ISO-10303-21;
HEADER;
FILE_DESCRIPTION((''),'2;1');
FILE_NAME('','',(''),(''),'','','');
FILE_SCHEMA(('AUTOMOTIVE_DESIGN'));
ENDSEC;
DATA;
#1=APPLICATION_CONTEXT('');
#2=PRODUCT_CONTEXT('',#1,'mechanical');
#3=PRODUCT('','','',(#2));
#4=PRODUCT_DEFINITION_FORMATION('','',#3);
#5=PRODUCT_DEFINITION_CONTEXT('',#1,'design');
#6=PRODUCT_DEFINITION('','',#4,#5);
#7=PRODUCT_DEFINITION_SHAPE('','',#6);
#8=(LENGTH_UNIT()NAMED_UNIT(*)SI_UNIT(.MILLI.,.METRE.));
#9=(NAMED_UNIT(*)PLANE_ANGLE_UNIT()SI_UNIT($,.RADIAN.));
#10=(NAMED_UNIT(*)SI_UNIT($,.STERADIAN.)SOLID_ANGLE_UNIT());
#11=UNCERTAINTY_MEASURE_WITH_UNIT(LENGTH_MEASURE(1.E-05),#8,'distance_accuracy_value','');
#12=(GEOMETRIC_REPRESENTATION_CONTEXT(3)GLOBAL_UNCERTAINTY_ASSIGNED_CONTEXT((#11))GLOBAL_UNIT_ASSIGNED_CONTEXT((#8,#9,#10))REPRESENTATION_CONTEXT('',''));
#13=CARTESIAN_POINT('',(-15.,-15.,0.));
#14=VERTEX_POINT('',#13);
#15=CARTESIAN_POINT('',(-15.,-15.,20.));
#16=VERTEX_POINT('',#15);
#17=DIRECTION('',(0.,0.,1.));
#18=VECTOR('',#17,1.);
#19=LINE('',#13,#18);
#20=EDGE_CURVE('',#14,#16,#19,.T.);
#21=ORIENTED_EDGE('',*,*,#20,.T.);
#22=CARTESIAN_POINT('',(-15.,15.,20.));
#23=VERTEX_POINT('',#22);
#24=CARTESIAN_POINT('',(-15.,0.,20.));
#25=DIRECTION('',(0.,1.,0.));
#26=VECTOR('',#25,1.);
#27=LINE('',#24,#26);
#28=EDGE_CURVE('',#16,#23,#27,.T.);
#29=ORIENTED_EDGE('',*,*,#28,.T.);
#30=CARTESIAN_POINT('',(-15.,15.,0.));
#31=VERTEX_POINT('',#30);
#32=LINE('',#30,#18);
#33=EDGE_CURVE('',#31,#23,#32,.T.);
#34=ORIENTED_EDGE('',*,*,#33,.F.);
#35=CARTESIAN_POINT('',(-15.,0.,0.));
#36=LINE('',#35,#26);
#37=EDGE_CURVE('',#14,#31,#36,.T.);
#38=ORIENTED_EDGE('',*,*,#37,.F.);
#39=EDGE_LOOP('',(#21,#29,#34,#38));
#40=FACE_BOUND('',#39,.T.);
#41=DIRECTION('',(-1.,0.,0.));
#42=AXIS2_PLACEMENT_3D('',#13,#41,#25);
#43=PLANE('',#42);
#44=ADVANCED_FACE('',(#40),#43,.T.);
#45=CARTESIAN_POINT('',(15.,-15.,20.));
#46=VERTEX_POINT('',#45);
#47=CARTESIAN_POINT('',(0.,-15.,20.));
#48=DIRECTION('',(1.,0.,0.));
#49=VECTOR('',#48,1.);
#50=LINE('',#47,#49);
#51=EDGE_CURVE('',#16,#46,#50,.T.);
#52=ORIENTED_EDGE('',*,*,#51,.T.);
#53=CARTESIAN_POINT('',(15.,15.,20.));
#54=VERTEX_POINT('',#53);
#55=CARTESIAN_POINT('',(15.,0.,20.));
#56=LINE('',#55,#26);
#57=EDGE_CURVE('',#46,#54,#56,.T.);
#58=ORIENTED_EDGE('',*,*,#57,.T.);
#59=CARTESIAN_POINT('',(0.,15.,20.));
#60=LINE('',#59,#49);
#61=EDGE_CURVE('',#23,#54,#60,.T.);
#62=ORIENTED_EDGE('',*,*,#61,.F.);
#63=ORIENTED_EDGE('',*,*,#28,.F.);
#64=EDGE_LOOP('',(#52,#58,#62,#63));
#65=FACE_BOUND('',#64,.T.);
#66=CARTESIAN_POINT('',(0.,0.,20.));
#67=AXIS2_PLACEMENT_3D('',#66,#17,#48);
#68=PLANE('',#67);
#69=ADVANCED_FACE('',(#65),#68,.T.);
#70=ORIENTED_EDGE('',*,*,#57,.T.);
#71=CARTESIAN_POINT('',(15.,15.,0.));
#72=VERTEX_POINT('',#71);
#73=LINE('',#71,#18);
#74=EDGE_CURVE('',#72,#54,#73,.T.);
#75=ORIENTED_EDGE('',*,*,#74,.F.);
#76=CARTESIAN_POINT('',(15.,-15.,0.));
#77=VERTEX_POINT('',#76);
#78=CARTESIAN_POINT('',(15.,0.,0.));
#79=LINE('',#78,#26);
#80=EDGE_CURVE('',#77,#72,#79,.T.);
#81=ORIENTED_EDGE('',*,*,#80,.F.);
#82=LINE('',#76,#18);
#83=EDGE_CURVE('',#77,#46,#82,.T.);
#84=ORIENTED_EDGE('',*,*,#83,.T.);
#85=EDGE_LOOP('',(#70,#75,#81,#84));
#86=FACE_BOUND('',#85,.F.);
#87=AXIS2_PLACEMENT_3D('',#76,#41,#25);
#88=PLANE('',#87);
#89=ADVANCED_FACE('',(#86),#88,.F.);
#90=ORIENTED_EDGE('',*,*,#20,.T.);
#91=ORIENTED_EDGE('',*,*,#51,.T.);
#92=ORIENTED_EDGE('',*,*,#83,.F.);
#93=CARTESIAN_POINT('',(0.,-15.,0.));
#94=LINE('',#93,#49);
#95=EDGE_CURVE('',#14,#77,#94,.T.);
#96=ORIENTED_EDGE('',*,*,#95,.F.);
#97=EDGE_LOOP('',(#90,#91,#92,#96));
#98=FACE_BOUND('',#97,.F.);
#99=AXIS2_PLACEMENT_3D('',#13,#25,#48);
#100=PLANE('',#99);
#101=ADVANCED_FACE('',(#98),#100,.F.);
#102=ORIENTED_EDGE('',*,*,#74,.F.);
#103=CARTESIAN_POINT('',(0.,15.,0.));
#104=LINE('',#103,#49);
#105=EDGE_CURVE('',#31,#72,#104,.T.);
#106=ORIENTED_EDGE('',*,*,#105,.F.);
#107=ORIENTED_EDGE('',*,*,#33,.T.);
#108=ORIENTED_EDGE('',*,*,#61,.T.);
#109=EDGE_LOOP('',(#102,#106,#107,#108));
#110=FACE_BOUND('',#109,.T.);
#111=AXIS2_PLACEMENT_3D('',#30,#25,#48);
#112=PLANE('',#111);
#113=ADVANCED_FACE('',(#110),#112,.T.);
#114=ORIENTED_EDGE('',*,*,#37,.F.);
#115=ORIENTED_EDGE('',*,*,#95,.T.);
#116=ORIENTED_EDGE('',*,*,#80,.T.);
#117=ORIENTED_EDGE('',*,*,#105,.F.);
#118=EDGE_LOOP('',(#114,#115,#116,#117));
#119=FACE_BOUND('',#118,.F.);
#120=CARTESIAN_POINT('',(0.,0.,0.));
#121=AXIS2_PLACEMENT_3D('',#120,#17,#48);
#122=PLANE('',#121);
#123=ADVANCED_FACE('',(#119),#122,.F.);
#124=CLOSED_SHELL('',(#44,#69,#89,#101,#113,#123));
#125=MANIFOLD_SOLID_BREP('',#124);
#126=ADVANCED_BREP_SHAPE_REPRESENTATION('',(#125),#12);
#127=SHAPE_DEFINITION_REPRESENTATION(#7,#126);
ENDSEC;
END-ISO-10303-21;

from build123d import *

# Parameters (mm, degrees)
SKETCH_1_W      = 30
SKETCH_1_H      = 30
EXTRUDE_1_DEPTH = 20


with BuildPart() as part:
    # 草图1 → 凸台-拉伸1 (new body)
    with BuildSketch(Plane.XY):
        Rectangle(SKETCH_1_W, SKETCH_1_H)
    extrude(amount=EXTRUDE_1_DEPTH)


solid = part.part
